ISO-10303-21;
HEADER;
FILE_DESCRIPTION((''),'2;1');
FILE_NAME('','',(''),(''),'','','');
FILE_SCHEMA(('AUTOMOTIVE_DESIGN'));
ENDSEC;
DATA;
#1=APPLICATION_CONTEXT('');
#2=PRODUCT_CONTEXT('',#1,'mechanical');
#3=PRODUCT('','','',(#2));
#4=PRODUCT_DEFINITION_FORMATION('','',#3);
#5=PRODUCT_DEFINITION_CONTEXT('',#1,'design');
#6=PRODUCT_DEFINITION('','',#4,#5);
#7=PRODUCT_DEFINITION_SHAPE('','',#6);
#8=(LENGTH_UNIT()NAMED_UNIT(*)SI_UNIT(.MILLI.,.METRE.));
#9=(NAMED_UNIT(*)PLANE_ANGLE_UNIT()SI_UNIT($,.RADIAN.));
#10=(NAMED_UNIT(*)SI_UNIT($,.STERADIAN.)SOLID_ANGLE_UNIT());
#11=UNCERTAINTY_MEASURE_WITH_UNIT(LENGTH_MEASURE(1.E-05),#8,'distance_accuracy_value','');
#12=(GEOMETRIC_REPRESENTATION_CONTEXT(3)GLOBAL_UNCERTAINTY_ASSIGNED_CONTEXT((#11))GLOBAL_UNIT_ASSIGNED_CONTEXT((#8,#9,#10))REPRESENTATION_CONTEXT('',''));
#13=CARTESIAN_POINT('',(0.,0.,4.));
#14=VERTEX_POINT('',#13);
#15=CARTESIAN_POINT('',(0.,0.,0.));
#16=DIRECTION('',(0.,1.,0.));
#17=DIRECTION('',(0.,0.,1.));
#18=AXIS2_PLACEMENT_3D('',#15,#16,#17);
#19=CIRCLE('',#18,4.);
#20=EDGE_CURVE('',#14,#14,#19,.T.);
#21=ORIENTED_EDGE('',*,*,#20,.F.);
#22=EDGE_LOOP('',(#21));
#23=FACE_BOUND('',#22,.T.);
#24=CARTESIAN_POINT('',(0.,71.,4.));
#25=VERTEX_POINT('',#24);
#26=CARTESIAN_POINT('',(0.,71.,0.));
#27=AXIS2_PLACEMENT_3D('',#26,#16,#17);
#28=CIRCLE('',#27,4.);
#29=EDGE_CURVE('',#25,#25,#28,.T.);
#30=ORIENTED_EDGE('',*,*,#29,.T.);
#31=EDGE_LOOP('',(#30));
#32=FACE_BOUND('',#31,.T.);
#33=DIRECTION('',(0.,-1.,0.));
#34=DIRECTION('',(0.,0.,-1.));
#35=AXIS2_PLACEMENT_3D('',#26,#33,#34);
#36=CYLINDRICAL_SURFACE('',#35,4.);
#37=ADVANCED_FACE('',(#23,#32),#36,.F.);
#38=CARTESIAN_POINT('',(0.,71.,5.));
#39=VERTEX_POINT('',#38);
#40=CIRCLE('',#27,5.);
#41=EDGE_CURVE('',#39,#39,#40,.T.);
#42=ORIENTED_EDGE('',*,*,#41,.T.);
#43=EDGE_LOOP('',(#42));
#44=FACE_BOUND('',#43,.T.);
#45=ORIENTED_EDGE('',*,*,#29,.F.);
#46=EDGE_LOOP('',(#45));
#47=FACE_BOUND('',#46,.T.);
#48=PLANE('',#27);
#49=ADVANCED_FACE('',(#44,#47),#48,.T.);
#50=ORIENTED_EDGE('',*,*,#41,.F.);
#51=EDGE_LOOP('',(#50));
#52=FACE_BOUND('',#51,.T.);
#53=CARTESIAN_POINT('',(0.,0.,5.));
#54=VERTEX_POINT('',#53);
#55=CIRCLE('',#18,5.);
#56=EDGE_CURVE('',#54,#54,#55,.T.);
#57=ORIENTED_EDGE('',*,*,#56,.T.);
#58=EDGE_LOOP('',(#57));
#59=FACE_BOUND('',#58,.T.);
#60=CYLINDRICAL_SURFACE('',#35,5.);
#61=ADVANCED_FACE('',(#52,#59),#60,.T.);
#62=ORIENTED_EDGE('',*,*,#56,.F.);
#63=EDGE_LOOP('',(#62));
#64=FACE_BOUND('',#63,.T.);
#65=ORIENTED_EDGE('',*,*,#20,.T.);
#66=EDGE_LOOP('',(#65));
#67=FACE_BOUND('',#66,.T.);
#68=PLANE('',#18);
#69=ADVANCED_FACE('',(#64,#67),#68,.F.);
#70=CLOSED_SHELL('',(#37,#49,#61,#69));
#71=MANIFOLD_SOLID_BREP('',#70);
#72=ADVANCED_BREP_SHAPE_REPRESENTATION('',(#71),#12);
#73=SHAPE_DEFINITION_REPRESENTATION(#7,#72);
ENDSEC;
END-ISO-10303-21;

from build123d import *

# Parameters (mm, degrees)
CROQUIS1_R              = 5
CROQUIS1_R_2            = 4
SALIENTE_EXTRUIR1_DEPTH = 71


with BuildPart() as part:
    # Croquis1 → Saliente-Extruir1 (new body)
    with BuildSketch(Plane(origin=(0, 0, 0), x_dir=(1, 0, 0), z_dir=(0, 1, 0))):
        Circle(CROQUIS1_R)
        Circle(CROQUIS1_R_2, mode=Mode.SUBTRACT)
    extrude(amount=SALIENTE_EXTRUIR1_DEPTH)


solid = part.part
